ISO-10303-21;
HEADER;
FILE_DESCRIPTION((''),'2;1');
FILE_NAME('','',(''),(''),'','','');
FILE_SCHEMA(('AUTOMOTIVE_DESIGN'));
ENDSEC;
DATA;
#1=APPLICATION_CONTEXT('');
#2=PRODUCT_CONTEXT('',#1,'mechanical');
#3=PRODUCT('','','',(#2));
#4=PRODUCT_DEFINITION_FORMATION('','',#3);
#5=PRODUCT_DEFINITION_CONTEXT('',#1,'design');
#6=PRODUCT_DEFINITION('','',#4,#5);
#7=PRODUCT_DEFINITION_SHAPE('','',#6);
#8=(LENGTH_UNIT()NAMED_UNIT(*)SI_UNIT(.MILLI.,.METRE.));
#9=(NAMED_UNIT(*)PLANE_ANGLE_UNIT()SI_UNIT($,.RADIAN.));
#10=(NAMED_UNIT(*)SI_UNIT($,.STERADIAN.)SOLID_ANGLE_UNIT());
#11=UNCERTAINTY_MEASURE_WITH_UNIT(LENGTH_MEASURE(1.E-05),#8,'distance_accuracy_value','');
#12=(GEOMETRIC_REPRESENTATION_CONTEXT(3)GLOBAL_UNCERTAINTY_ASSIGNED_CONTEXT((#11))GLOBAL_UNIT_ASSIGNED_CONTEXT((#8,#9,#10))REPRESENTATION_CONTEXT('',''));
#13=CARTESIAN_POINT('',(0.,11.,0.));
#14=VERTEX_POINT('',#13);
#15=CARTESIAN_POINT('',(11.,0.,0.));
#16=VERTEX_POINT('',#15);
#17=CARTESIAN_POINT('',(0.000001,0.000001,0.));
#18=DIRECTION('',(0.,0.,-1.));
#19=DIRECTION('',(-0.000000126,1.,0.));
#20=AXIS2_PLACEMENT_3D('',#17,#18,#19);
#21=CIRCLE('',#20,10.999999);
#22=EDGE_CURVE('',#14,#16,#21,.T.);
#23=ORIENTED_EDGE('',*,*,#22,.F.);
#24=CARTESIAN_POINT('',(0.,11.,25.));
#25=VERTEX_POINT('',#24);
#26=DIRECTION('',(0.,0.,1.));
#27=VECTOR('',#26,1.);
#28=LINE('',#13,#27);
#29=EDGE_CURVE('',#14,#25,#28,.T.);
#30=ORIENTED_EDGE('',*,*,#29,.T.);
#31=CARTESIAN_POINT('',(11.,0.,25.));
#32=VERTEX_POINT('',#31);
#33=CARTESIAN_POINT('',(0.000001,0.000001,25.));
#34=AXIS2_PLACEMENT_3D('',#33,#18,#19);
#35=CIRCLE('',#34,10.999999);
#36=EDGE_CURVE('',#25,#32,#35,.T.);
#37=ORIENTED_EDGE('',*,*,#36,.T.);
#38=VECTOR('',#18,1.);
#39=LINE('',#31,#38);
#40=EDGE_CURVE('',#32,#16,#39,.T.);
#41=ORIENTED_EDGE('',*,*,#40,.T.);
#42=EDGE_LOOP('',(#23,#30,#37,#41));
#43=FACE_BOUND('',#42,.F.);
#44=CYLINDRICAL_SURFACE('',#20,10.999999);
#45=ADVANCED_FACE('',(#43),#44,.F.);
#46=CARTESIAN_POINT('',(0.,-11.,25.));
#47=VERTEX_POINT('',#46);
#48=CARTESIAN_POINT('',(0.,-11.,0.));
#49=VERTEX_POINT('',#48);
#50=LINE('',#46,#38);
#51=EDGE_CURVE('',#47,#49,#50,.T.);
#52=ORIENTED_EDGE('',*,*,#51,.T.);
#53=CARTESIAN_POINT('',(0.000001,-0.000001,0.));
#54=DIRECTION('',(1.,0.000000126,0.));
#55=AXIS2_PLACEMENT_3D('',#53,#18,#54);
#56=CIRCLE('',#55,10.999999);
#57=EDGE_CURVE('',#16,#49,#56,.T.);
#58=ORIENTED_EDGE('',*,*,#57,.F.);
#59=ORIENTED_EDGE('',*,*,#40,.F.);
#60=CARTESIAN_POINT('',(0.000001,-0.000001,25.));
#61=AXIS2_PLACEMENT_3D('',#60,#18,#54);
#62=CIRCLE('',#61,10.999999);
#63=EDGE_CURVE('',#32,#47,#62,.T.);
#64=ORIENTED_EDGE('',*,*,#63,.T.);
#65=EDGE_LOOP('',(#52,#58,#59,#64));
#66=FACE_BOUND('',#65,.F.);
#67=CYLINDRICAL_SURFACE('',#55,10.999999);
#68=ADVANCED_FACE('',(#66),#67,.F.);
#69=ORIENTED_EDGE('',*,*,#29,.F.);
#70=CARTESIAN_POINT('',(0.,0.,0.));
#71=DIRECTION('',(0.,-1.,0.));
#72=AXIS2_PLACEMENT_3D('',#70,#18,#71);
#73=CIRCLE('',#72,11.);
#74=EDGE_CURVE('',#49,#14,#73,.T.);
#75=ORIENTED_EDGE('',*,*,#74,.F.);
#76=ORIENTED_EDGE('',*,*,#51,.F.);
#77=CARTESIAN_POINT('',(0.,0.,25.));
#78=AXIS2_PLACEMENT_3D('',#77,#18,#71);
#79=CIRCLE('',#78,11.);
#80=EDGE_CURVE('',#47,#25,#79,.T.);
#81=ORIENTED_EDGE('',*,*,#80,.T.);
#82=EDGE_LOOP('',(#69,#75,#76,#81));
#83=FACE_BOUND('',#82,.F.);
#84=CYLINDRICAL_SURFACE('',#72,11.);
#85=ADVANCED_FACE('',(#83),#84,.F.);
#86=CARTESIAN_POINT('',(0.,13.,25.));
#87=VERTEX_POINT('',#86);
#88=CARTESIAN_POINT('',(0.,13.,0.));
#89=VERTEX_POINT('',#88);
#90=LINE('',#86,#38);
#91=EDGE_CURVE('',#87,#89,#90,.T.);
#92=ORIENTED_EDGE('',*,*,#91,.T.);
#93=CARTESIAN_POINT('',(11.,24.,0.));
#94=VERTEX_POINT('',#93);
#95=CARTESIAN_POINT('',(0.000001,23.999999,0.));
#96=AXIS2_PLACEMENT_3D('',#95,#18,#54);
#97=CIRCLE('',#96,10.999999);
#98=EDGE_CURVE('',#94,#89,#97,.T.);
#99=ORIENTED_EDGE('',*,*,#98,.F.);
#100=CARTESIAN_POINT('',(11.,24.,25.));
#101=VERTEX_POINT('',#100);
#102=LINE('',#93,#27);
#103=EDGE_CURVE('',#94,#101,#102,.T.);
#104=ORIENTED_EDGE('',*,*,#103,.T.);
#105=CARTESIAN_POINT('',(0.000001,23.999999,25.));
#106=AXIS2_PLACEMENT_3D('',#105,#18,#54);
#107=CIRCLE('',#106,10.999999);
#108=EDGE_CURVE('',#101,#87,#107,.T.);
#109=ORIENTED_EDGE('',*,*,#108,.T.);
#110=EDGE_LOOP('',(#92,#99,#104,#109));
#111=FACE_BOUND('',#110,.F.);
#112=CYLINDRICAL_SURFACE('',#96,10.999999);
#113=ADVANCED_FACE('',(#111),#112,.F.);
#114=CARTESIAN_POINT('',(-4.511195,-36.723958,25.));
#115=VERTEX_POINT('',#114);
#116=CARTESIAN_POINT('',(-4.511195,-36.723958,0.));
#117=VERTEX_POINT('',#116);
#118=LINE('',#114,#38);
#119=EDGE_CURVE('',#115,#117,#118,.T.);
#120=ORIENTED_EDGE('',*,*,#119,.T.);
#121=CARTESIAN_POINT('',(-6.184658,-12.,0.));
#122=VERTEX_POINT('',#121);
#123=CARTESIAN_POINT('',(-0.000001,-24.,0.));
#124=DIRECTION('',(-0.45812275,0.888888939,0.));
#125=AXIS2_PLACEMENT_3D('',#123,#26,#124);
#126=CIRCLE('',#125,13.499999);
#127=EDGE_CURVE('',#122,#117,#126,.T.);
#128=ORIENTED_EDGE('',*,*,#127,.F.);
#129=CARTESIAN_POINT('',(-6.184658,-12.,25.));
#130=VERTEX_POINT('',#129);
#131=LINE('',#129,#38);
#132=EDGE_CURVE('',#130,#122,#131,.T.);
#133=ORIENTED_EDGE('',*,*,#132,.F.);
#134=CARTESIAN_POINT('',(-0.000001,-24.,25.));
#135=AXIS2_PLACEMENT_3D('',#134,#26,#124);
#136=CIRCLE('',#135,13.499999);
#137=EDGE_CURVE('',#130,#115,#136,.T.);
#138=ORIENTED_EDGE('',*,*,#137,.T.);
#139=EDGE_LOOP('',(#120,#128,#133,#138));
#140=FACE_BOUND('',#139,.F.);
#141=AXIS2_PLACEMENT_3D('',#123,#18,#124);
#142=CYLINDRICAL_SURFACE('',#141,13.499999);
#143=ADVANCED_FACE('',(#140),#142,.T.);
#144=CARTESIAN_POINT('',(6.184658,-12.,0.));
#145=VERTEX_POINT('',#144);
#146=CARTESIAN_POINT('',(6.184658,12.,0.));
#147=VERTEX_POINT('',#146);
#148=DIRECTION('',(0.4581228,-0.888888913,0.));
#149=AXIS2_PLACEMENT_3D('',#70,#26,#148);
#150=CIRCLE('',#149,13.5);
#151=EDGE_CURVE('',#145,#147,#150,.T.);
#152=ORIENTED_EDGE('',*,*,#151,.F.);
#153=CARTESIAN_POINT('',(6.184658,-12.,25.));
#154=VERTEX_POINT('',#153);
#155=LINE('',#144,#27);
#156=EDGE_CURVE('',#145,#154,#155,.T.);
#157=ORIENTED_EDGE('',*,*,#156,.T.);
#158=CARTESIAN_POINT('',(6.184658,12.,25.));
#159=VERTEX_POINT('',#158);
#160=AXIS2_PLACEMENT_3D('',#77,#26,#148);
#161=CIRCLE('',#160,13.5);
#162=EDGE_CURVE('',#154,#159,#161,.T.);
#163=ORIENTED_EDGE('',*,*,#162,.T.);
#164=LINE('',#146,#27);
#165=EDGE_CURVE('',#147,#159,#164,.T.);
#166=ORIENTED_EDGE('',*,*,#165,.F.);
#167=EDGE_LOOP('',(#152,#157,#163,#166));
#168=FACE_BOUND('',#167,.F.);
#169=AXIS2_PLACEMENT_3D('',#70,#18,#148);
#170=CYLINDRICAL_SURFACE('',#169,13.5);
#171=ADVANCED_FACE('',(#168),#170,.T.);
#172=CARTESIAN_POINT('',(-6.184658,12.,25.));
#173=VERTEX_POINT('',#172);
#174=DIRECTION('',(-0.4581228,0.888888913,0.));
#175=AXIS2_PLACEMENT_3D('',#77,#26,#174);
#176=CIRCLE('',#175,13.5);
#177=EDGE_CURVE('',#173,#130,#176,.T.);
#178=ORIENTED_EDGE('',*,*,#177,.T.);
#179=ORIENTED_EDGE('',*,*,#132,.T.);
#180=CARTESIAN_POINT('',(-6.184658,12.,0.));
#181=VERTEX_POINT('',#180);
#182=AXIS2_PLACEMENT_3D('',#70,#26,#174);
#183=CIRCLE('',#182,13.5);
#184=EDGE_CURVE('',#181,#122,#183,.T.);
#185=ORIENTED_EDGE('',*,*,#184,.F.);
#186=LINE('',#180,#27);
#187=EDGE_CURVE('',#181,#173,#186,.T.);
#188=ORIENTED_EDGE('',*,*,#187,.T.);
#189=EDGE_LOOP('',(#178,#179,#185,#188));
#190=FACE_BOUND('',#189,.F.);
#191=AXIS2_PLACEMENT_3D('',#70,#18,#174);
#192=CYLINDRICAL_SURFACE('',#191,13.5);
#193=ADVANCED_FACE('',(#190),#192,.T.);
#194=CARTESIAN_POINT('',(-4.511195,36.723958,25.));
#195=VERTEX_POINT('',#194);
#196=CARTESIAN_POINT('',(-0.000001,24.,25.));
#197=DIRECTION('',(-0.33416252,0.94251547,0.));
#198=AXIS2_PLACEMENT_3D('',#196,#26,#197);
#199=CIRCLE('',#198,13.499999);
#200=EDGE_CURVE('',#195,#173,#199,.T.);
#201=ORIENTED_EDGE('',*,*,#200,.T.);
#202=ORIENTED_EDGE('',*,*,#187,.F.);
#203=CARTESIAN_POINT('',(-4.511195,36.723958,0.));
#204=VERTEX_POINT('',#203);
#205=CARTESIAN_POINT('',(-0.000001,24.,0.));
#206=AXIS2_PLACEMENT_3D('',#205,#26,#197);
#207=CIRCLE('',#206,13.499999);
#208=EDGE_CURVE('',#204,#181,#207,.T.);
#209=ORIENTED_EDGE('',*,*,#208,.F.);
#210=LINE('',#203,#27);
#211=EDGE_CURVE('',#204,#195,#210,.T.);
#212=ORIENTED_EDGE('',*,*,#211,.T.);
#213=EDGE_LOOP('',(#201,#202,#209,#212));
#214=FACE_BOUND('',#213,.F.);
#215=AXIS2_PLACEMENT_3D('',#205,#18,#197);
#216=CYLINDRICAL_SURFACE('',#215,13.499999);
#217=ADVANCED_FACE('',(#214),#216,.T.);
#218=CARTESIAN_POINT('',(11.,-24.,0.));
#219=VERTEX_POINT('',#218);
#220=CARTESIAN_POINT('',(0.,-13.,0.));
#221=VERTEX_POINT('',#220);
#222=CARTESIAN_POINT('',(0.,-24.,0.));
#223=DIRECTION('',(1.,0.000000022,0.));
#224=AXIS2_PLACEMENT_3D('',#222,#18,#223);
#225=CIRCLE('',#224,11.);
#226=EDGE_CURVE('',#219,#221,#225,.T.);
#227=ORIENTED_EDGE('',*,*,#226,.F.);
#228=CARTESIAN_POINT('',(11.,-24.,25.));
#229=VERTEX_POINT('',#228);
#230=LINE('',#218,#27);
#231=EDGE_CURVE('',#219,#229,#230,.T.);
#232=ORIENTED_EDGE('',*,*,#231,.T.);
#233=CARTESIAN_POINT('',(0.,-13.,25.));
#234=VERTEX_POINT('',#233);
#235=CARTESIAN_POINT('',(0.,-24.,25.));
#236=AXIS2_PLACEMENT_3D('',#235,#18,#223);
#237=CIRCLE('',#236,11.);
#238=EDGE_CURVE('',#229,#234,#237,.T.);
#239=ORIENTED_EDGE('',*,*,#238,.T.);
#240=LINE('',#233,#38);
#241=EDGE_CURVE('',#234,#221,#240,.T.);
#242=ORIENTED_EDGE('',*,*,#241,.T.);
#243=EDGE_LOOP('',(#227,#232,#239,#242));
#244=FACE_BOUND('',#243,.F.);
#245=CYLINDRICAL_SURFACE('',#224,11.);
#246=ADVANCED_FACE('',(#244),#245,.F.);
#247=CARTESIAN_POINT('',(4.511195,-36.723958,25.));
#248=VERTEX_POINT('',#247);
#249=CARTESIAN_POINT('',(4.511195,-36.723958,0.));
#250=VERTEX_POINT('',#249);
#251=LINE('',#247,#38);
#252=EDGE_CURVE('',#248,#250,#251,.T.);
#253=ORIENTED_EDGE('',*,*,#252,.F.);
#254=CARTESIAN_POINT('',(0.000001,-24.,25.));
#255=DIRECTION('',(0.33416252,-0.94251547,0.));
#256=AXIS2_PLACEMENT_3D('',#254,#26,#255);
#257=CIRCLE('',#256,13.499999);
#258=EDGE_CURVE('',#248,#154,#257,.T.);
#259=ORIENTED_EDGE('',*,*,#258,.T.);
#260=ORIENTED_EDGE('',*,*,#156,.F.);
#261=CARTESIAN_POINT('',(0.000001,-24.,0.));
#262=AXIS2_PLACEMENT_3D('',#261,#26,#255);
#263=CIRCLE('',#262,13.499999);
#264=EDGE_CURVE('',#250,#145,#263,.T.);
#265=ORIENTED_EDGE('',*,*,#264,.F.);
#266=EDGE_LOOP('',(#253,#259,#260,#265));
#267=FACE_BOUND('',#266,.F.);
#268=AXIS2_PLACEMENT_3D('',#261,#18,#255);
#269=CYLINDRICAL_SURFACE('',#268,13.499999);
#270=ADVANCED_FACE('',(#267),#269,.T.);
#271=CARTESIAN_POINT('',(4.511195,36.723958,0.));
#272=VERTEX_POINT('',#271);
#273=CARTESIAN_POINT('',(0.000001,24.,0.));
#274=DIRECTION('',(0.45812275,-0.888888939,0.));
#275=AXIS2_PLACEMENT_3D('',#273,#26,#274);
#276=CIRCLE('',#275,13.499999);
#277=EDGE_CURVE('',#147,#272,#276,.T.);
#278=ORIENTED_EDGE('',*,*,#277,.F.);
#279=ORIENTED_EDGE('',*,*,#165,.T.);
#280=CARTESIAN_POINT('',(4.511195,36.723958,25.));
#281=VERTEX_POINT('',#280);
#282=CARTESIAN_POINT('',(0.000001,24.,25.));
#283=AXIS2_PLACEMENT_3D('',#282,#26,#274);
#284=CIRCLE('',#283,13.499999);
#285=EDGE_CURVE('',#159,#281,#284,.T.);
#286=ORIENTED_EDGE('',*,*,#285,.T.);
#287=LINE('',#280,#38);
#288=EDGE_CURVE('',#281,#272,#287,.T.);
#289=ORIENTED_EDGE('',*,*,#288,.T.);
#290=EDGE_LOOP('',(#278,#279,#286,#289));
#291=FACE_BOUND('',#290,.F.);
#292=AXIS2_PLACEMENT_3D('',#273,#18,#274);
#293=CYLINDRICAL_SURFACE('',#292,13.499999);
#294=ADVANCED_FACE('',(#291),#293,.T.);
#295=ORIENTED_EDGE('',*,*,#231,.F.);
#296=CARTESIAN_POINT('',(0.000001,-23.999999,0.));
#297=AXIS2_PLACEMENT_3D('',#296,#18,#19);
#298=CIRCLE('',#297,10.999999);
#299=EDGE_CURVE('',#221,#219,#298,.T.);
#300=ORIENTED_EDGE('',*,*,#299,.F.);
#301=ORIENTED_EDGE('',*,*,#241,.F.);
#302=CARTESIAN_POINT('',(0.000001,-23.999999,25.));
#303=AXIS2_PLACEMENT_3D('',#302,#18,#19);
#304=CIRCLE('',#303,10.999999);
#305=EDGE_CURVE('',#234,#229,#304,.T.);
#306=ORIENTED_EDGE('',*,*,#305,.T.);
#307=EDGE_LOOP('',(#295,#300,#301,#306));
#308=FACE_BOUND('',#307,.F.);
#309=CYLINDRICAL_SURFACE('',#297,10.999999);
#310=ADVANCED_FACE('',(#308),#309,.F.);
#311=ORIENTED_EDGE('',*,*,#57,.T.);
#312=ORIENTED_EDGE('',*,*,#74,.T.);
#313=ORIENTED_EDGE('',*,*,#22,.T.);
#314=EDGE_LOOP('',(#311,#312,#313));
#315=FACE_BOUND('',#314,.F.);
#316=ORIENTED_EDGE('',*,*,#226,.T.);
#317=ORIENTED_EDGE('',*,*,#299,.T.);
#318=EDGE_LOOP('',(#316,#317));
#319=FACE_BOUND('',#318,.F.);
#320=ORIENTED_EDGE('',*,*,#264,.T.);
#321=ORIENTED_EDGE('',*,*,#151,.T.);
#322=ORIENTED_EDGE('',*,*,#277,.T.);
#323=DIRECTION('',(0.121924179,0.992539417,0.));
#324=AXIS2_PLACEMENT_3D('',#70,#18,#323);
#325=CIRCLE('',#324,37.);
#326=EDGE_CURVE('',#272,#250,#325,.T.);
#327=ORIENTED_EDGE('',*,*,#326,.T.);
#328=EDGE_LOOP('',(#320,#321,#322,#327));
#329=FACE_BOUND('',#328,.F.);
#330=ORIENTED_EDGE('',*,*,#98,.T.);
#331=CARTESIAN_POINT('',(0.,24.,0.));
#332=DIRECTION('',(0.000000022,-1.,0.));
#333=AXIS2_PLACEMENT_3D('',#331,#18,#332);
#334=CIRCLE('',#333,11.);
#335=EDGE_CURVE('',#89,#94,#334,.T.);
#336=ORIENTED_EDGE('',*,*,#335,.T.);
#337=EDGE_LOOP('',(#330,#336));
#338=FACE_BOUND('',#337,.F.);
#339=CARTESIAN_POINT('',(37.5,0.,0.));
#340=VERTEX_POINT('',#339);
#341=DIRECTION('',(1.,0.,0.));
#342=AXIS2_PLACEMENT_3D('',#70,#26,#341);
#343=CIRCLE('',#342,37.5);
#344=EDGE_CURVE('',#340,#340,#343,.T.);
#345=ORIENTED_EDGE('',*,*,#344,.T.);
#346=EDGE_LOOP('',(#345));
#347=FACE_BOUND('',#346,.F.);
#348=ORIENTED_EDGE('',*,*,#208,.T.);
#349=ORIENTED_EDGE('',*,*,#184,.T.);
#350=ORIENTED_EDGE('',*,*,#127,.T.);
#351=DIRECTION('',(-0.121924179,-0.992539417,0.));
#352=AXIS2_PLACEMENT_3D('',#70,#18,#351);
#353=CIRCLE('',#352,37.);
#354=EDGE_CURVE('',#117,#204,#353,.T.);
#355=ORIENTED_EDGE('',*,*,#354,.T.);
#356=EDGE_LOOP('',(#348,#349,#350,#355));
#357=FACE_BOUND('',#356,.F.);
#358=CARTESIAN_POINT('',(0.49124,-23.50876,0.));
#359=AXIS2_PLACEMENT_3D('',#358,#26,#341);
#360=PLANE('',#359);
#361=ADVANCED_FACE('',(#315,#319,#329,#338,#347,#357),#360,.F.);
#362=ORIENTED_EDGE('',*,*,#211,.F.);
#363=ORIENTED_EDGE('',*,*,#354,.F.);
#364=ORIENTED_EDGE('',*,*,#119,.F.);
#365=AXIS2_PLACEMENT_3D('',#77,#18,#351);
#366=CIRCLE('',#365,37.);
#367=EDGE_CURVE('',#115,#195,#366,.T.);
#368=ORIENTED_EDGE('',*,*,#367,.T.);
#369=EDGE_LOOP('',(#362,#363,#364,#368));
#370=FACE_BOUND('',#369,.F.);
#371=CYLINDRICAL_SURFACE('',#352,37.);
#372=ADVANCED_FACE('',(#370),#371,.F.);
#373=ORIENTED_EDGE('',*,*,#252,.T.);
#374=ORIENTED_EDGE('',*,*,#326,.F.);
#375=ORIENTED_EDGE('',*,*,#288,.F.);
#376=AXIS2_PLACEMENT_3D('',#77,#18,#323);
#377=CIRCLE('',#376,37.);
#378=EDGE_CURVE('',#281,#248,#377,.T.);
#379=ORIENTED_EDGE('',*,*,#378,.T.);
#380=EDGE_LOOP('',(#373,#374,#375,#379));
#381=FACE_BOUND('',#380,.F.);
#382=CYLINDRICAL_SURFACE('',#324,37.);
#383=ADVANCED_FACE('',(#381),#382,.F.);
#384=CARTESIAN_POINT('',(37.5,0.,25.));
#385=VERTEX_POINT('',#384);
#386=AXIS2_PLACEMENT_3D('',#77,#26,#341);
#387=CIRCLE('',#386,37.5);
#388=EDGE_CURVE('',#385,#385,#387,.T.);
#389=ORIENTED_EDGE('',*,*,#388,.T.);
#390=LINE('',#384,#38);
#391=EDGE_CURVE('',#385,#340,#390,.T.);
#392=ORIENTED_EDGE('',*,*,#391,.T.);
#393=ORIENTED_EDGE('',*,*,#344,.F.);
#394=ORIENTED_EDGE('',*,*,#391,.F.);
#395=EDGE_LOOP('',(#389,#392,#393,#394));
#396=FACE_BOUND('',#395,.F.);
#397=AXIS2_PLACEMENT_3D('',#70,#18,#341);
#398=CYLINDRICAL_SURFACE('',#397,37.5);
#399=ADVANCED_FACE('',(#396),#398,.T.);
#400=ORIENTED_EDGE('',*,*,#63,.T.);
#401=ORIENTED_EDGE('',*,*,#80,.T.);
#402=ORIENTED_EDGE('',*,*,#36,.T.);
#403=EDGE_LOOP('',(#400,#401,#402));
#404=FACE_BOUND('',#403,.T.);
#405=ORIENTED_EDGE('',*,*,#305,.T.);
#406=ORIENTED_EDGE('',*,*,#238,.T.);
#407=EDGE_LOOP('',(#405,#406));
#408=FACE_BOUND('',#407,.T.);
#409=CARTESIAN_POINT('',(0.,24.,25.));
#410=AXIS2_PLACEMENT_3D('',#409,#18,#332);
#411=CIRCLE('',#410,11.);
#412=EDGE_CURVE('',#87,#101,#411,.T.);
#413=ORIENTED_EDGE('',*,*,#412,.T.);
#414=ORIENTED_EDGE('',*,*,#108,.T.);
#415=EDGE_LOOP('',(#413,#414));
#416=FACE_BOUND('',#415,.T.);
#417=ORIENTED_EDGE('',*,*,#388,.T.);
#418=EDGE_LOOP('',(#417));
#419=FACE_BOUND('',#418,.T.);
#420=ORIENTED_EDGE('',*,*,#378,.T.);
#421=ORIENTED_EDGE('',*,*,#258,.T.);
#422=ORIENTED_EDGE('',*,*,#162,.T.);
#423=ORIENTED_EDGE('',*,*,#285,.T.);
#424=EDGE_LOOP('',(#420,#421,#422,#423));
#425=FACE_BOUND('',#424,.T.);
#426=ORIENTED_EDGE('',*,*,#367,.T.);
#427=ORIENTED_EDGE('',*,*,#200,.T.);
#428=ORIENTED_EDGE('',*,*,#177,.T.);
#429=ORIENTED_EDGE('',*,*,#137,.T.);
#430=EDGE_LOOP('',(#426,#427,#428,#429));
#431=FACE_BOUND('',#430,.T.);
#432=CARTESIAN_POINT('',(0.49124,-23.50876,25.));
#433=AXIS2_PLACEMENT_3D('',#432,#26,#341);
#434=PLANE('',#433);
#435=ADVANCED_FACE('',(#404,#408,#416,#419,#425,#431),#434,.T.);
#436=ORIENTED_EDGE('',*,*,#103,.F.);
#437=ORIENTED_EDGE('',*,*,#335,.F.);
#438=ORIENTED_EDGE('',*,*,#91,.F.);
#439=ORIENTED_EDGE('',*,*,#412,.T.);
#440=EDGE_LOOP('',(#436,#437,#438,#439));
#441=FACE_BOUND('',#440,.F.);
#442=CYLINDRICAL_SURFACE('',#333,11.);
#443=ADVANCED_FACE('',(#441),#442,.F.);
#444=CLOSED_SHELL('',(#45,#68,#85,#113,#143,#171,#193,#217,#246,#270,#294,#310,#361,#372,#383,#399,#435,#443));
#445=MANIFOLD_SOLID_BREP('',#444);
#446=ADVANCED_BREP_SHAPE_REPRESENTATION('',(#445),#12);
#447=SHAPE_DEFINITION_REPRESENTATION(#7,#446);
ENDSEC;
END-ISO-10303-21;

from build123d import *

# Parameters (mm, degrees)
F0_R     = 37.5
F1_DEPTH = 3
F2_DEPTH = 25


with BuildPart() as f1:
    # F0 (on Top) → F1 (new body)
    with BuildSketch(Plane.XY):
        with BuildLine():
            ThreePointArc((11, -24), (7.778175, -16.221825), (0, -13))
            ThreePointArc((0, -13), (-7.778175, -31.778175), (11, -24))
        make_face()
        with BuildLine():
            ThreePointArc((11, 24), (-7.778175, 31.778175), (0, 13))
            ThreePointArc((0, 13), (7.778175, 16.221825), (11, 24))
        make_face()
        Circle(F0_R)
        with BuildLine():
            ThreePointArc((11, -24), (-7.778175, -31.778175), (0, -13))
            ThreePointArc((0, -13), (7.778175, -16.221825), (11, -24))
        make_face(mode=Mode.SUBTRACT)
        with BuildLine():
            ThreePointArc((-4.511195, 36.723958), (-13.469182, 24.911673), (-6.184658, 12))
            ThreePointArc((-6.184658, 12), (-13.5, 0), (-6.184658, -12))
            ThreePointArc((-6.184658, -12), (-13.469182, -24.911673), (-4.511195, -36.723958))
            ThreePointArc((-4.511195, -36.723958), (-37, 0), (-4.511195, 36.723958))
        make_face(mode=Mode.SUBTRACT)
        with BuildLine():
            ThreePointArc((0, 11), (7.778175, 7.778175), (11, 0))
            ThreePointArc((11, 0), (7.778175, -7.778175), (0, -11))
            ThreePointArc((0, -11), (-11, 0), (0, 11))
        make_face(mode=Mode.SUBTRACT)
        with BuildLine():
            ThreePointArc((6.184658, -12), (13.5, 0), (6.184658, 12))
            ThreePointArc((6.184658, 12), (13.469182, 24.911673), (4.511195, 36.723958))
            ThreePointArc((4.511195, 36.723958), (37, 0), (4.511195, -36.723958))
            ThreePointArc((4.511195, -36.723958), (13.469182, -24.911673), (6.184658, -12))
        make_face(mode=Mode.SUBTRACT)
        with BuildLine():
            ThreePointArc((11, 24), (7.778175, 16.221825), (0, 13))
            ThreePointArc((0, 13), (-7.778175, 31.778175), (11, 24))
        make_face(mode=Mode.SUBTRACT)
    extrude(amount=F1_DEPTH)

    # F0 (on Top) → F2 (join)
    with BuildSketch(Plane.XY):
        with BuildLine():
            ThreePointArc((11, -24), (7.778175, -16.221825), (0, -13))
            ThreePointArc((0, -13), (-7.778175, -31.778175), (11, -24))
        make_face()
        with BuildLine():
            ThreePointArc((11, 24), (-7.778175, 31.778175), (0, 13))
            ThreePointArc((0, 13), (7.778175, 16.221825), (11, 24))
        make_face()
        Circle(F0_R)
        with BuildLine():
            ThreePointArc((11, -24), (-7.778175, -31.778175), (0, -13))
            ThreePointArc((0, -13), (7.778175, -16.221825), (11, -24))
        make_face(mode=Mode.SUBTRACT)
        with BuildLine():
            ThreePointArc((-4.511195, 36.723958), (-13.469182, 24.911673), (-6.184658, 12))
            ThreePointArc((-6.184658, 12), (-13.5, 0), (-6.184658, -12))
            ThreePointArc((-6.184658, -12), (-13.469182, -24.911673), (-4.511195, -36.723958))
            ThreePointArc((-4.511195, -36.723958), (-37, 0), (-4.511195, 36.723958))
        make_face(mode=Mode.SUBTRACT)
        with BuildLine():
            ThreePointArc((0, 11), (7.778175, 7.778175), (11, 0))
            ThreePointArc((11, 0), (7.778175, -7.778175), (0, -11))
            ThreePointArc((0, -11), (-11, 0), (0, 11))
        make_face(mode=Mode.SUBTRACT)
        with BuildLine():
            ThreePointArc((6.184658, -12), (13.5, 0), (6.184658, 12))
            ThreePointArc((6.184658, 12), (13.469182, 24.911673), (4.511195, 36.723958))
            ThreePointArc((4.511195, 36.723958), (37, 0), (4.511195, -36.723958))
            ThreePointArc((4.511195, -36.723958), (13.469182, -24.911673), (6.184658, -12))
        make_face(mode=Mode.SUBTRACT)
        with BuildLine():
            ThreePointArc((11, 24), (7.778175, 16.221825), (0, 13))
            ThreePointArc((0, 13), (-7.778175, 31.778175), (11, 24))
        make_face(mode=Mode.SUBTRACT)
    extrude(amount=F2_DEPTH)


solid = f1.part
